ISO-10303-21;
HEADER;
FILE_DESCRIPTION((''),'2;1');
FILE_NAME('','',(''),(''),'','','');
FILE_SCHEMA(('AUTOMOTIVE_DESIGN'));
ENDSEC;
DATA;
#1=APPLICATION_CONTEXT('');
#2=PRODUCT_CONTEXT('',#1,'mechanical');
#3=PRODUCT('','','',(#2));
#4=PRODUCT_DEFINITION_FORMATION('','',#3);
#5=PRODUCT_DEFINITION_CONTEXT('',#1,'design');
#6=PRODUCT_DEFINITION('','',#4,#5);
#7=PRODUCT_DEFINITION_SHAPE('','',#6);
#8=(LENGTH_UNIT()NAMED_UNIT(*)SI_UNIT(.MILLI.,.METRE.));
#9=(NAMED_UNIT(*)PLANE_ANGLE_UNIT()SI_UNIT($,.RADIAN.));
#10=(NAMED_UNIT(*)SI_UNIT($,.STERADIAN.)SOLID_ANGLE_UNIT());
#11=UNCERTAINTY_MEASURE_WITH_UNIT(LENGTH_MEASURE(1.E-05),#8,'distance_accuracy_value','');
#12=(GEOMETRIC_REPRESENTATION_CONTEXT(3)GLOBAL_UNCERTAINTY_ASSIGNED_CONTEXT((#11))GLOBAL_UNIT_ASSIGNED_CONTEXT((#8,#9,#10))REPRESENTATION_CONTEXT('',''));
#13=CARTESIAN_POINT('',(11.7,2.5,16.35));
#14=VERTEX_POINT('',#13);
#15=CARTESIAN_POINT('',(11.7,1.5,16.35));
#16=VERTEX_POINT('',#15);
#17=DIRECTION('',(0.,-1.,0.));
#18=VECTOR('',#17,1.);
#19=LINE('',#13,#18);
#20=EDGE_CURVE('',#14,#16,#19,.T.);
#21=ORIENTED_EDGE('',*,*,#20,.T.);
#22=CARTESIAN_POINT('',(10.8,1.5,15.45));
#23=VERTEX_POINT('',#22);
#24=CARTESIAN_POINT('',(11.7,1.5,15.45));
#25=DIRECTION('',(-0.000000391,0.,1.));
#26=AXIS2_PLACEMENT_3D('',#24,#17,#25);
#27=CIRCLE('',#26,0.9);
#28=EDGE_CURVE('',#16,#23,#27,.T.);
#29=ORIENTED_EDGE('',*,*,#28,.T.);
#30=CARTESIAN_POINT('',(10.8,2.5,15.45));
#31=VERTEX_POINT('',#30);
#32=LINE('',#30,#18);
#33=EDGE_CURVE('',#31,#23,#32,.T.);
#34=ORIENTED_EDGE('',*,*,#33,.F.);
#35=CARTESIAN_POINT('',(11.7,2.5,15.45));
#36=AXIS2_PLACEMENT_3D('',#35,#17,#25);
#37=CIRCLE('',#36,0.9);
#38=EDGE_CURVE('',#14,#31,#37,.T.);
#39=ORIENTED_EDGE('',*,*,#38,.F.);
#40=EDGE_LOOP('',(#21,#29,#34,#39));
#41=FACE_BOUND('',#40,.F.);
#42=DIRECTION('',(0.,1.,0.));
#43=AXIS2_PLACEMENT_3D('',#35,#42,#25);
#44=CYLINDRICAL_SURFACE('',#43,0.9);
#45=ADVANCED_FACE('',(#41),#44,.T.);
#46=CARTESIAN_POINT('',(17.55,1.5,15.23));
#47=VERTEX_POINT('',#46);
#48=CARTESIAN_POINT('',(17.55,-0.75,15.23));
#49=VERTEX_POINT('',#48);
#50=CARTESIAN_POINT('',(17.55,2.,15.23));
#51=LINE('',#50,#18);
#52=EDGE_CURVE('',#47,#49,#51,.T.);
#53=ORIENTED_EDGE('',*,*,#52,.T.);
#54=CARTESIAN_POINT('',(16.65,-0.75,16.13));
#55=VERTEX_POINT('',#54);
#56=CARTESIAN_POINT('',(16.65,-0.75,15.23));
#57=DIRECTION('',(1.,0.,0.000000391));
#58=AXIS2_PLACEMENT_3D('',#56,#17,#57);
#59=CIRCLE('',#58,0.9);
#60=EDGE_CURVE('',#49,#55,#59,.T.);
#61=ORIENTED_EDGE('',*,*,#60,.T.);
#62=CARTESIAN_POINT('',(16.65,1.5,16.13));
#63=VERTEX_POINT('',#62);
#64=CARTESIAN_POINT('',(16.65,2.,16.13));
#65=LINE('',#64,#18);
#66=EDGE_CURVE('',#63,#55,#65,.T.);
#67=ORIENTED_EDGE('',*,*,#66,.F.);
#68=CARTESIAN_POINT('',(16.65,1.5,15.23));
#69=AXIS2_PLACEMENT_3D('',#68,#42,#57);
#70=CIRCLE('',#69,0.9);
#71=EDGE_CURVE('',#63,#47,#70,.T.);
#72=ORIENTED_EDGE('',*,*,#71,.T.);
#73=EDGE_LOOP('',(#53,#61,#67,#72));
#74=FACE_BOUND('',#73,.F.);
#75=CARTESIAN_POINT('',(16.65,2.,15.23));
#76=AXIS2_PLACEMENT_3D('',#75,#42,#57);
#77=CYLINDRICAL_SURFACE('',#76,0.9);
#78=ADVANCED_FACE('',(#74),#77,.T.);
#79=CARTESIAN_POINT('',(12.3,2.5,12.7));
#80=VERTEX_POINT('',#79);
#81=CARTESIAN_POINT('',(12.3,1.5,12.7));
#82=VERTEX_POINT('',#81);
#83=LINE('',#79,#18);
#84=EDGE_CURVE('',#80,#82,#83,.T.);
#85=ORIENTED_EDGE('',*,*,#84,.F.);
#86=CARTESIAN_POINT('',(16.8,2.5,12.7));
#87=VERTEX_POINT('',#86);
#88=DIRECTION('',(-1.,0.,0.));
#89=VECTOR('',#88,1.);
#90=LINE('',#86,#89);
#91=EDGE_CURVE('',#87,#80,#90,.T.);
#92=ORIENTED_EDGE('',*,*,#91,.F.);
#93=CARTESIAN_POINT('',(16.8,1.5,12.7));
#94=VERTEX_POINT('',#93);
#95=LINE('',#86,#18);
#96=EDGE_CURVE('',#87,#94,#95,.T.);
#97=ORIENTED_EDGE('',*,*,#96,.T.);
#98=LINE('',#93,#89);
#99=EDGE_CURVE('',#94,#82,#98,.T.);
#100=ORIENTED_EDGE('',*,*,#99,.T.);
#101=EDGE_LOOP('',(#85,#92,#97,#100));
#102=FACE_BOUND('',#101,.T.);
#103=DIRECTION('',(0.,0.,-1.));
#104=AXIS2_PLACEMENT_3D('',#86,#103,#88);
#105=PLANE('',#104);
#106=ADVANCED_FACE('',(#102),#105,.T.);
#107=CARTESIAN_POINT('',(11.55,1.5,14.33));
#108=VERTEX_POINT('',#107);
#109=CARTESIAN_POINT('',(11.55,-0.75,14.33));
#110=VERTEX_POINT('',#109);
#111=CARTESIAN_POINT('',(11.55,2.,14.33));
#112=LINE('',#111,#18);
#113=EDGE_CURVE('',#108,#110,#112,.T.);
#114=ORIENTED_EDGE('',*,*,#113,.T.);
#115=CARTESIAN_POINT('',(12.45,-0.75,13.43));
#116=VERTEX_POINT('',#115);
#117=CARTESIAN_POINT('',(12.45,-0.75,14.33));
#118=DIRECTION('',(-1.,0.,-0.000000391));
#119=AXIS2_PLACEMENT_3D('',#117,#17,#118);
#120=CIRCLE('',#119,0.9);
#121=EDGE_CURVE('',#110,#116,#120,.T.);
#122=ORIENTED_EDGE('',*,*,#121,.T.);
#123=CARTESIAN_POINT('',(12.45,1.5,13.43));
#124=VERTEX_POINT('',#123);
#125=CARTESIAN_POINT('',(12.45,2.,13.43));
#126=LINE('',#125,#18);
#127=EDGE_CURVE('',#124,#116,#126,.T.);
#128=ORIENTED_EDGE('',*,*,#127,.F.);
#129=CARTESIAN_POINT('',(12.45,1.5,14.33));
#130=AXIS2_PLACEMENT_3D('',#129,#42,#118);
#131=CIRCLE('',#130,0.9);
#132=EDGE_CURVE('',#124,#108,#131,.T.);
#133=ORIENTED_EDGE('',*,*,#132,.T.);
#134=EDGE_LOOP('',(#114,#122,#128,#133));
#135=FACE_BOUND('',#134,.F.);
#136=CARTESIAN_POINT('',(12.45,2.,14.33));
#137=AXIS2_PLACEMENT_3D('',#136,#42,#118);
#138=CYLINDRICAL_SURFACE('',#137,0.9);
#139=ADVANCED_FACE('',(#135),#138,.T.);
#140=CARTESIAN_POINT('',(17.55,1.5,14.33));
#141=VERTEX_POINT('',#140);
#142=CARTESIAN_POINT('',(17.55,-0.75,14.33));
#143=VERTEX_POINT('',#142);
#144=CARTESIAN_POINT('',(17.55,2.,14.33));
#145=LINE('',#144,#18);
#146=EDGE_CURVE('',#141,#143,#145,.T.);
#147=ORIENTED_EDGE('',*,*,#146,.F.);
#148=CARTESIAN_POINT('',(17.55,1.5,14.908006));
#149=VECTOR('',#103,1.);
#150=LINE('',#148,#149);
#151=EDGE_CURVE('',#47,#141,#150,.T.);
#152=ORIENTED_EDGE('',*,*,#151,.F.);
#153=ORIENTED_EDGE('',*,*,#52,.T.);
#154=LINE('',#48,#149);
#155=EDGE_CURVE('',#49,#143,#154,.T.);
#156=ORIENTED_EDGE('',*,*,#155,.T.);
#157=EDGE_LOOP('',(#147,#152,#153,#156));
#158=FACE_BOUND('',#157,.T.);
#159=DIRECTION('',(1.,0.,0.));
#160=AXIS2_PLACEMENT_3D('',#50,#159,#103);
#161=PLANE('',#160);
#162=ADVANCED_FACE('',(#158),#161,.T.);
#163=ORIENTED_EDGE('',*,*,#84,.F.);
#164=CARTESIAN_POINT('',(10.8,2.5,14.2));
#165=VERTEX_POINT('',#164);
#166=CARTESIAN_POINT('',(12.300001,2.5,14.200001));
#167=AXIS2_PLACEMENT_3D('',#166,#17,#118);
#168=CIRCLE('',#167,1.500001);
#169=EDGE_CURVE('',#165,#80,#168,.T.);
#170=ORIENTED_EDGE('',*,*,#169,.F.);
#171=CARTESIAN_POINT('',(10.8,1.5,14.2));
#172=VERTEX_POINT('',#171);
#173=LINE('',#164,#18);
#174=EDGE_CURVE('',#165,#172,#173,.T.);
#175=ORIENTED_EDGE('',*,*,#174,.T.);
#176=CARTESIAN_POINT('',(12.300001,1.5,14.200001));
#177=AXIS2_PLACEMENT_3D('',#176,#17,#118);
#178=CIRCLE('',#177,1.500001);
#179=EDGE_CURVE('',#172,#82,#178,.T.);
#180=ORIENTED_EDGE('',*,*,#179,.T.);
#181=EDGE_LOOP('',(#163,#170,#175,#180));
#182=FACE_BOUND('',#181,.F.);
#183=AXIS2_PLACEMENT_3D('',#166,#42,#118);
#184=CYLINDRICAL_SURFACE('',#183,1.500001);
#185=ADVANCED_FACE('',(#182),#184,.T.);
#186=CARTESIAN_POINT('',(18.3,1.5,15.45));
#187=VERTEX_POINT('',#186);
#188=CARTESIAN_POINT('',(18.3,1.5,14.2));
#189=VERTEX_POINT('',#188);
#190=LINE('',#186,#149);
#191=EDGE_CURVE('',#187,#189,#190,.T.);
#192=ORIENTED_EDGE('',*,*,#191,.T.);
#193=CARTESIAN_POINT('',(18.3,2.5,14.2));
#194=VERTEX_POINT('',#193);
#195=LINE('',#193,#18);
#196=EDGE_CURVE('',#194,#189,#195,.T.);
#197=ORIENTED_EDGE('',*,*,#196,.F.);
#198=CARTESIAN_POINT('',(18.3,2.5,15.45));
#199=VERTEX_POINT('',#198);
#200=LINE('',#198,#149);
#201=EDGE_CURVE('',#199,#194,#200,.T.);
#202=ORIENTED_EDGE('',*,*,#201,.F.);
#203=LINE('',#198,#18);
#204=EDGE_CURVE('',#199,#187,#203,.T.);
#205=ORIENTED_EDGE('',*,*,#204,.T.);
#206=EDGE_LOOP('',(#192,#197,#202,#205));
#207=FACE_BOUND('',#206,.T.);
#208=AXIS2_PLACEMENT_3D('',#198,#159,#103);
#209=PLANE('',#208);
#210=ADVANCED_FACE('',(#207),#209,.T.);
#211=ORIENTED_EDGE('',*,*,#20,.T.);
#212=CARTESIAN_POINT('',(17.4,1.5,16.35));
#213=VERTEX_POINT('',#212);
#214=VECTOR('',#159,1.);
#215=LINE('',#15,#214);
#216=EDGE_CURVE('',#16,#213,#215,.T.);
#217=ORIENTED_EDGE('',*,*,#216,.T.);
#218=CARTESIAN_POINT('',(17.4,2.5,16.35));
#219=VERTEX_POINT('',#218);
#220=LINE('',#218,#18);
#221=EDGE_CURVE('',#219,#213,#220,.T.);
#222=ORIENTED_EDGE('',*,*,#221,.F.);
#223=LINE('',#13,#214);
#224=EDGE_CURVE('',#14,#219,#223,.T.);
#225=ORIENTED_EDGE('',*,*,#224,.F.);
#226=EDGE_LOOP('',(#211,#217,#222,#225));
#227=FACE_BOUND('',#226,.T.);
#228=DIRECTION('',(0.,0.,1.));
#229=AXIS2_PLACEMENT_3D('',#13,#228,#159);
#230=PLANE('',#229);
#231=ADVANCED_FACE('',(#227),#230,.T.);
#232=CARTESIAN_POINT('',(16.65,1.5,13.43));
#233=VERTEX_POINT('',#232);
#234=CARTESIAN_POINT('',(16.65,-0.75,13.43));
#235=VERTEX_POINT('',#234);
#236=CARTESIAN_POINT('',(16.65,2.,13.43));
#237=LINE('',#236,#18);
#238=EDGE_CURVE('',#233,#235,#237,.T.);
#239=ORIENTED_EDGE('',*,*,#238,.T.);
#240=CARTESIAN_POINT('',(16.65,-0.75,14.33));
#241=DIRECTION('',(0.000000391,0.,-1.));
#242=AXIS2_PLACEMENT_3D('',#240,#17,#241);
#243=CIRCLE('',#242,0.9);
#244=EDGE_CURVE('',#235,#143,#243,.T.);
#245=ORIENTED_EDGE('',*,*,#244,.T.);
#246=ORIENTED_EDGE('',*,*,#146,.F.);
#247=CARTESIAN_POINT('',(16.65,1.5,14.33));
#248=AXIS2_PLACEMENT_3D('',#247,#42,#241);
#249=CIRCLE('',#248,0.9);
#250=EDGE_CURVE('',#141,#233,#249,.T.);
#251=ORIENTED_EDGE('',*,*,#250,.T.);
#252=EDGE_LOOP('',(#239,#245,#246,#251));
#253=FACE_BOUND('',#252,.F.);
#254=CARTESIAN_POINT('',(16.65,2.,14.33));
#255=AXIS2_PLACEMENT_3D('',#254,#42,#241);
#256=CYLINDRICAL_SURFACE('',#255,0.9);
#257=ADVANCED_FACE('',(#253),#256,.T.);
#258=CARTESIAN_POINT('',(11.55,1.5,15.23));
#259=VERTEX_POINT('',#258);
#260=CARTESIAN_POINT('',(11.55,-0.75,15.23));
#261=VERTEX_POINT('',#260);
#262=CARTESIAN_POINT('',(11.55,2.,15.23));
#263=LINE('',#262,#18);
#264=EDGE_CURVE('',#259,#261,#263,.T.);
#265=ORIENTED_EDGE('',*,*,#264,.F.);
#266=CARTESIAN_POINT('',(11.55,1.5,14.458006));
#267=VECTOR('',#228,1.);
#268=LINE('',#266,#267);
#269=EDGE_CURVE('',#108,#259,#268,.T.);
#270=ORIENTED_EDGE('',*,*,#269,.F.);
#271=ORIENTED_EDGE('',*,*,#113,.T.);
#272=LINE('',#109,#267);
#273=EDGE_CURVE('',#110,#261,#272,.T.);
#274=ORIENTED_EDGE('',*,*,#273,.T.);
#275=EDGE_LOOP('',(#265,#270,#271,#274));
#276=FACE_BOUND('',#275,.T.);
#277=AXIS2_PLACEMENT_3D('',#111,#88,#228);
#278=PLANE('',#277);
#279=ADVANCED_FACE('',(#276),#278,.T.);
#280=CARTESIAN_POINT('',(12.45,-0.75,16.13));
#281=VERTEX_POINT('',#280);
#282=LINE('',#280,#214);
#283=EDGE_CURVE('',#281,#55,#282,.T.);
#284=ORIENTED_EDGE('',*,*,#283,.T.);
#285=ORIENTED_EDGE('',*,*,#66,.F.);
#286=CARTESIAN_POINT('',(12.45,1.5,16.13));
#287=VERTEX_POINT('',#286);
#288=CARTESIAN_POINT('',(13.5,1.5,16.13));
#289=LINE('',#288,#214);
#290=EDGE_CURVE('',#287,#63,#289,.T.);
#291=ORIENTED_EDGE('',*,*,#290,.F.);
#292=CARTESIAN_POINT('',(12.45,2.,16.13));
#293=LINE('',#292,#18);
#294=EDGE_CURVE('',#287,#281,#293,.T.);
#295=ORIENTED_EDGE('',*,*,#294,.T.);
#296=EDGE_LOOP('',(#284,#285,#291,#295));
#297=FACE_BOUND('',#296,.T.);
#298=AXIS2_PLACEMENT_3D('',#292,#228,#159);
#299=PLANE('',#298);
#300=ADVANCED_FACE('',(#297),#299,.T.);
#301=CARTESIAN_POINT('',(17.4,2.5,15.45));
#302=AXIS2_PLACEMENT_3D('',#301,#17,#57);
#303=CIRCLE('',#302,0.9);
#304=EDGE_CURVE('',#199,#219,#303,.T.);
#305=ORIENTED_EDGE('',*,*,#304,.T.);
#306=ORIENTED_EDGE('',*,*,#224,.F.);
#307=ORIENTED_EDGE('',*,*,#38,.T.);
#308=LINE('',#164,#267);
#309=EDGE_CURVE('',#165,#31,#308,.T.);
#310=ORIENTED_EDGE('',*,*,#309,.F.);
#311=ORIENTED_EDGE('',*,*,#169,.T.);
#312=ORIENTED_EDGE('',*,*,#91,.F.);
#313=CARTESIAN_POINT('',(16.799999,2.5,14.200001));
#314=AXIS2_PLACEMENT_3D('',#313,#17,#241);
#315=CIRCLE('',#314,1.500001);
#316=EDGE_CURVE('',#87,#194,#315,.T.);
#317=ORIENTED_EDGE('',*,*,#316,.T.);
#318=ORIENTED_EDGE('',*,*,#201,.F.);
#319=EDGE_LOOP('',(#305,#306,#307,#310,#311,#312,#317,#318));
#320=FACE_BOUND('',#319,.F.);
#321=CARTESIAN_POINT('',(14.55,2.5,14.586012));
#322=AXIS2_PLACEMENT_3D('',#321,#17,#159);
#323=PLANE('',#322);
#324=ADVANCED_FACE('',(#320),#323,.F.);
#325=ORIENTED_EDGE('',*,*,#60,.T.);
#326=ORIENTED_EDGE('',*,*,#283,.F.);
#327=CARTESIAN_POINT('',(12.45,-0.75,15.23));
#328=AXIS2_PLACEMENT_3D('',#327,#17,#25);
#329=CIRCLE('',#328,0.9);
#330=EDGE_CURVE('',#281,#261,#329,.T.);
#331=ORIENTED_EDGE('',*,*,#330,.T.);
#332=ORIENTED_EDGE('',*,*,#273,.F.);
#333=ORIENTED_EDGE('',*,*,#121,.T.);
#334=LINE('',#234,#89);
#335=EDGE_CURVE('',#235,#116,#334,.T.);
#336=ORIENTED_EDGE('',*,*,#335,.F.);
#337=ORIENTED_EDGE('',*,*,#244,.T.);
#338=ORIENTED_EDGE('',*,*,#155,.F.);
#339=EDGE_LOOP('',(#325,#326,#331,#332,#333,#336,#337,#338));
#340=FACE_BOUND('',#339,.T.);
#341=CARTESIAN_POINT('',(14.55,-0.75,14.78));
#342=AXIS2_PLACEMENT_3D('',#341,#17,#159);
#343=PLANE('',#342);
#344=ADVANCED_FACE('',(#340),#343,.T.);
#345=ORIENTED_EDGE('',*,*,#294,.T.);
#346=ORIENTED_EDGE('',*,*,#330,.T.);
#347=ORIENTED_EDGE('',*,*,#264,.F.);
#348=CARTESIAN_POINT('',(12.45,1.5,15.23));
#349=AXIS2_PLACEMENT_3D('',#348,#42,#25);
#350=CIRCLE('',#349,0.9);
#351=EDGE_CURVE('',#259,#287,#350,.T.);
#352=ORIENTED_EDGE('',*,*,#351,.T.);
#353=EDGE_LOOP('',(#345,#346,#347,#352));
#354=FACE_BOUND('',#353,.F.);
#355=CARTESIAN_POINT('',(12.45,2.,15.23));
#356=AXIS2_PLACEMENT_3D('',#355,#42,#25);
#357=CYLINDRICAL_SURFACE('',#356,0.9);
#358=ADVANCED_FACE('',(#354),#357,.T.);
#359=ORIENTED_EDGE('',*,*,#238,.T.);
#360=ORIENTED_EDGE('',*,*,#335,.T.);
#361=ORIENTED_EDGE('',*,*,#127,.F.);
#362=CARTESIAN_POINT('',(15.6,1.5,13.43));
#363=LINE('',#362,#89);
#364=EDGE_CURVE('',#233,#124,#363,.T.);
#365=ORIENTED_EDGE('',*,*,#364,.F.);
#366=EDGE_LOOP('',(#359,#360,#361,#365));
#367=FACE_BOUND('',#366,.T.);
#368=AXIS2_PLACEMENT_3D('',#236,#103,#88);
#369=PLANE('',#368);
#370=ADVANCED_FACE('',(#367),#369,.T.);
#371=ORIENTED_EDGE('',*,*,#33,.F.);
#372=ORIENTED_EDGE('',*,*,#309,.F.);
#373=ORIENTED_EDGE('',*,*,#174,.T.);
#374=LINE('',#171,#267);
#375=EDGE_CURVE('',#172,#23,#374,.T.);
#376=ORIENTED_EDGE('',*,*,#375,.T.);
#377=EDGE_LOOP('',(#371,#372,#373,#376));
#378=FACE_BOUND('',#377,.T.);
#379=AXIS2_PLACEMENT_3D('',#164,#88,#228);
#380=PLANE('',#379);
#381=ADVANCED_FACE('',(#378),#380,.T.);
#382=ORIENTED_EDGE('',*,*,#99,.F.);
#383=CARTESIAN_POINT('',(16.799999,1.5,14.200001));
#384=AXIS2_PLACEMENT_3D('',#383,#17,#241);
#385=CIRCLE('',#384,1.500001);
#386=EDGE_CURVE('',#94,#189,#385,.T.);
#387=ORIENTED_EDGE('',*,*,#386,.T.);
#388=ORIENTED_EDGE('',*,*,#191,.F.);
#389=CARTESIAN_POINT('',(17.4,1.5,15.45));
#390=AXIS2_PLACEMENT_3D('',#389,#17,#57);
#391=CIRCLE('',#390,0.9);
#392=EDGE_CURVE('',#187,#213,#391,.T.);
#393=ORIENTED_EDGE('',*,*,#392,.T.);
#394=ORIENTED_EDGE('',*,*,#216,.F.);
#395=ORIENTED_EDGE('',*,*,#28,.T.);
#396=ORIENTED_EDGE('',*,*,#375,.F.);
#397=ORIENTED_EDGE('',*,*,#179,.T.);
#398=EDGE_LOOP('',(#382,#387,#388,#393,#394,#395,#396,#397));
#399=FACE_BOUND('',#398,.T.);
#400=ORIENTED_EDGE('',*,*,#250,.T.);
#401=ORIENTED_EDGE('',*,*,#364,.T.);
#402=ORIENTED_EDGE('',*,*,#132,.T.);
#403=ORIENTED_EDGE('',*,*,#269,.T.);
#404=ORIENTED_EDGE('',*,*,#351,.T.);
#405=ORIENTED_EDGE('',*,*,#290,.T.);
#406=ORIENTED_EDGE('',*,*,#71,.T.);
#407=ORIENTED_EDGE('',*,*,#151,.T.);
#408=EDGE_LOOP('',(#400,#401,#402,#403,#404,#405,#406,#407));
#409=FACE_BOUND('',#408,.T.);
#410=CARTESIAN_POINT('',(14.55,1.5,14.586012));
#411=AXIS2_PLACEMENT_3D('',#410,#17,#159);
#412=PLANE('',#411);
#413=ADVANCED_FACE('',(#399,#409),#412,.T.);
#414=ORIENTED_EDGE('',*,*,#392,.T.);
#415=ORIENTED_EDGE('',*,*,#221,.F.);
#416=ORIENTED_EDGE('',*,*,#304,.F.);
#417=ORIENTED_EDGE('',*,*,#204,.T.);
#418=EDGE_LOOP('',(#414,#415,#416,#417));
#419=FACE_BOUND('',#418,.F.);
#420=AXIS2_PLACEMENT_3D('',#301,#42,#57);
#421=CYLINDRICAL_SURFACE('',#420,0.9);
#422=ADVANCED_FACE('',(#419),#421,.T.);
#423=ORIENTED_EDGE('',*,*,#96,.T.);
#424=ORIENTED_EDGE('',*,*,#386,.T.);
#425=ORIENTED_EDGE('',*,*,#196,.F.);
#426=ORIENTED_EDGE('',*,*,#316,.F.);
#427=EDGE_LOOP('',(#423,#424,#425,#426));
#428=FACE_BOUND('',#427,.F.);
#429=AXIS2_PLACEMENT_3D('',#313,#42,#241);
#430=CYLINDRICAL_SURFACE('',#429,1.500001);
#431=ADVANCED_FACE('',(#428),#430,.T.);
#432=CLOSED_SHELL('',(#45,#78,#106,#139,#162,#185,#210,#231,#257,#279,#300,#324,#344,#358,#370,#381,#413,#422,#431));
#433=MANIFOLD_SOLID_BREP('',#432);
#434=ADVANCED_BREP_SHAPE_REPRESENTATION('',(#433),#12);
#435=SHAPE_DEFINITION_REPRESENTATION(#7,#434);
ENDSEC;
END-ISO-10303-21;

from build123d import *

# Parameters (mm, degrees)
EXTRUDE202_DEPTH = 1
EXTRUDE201_DEPTH = 2.75


with BuildPart() as extrude202:
    # Sketch203 → Extrude202 (new body)
    with BuildSketch(Plane.XZ):
        with BuildLine():
            ThreePointArc((11.7, 16.35), (11.063604, 16.086396), (10.8, 15.45))
            Line((10.8, 14.2), (10.8, 15.45))
            ThreePointArc((10.8, 14.2), (11.23934, 13.13934), (12.3, 12.7))
            Line((16.8, 12.7), (12.3, 12.7))
            ThreePointArc((16.8, 12.7), (17.86066, 13.13934), (18.3, 14.2))
            Line((18.3, 15.45), (18.3, 14.2))
            ThreePointArc((18.3, 15.45), (18.036396, 16.086396), (17.4, 16.35))
            Line((11.7, 16.35), (17.4, 16.35))
        make_face()
    extrude(amount=EXTRUDE202_DEPTH)


with BuildPart() as extrude202_1:
    # Extrude202 placement: moved
    add(extrude202.part.moved(Location((0, 2.5, 0))))


with BuildPart() as button004:
    # Sketch202 → Extrude201 (new body)
    with BuildSketch(Plane.XZ):
        with BuildLine():
            ThreePointArc((12.75, 16.23), (12.113604, 15.966396), (11.85, 15.33))
            Line((11.85, 14.43), (11.85, 15.33))
            ThreePointArc((11.85, 14.43), (12.113604, 13.793604), (12.75, 13.53))
            Line((16.95, 13.53), (12.75, 13.53))
            ThreePointArc((16.95, 13.53), (17.586396, 13.793604), (17.85, 14.43))
            Line((17.85, 15.33), (17.85, 14.43))
            ThreePointArc((17.85, 15.33), (17.586396, 15.966396), (16.95, 16.23))
            Line((12.75, 16.23), (16.95, 16.23))
        make_face()
    extrude(amount=EXTRUDE201_DEPTH)


with BuildPart() as button004_1:
    # Extrude201 placement: moved
    add(button004.part.moved(Location((-0.3, 2, -0.1))))

    # Fusion198: union Extrude202
    add(extrude202_1.part)


solid = button004_1.part
